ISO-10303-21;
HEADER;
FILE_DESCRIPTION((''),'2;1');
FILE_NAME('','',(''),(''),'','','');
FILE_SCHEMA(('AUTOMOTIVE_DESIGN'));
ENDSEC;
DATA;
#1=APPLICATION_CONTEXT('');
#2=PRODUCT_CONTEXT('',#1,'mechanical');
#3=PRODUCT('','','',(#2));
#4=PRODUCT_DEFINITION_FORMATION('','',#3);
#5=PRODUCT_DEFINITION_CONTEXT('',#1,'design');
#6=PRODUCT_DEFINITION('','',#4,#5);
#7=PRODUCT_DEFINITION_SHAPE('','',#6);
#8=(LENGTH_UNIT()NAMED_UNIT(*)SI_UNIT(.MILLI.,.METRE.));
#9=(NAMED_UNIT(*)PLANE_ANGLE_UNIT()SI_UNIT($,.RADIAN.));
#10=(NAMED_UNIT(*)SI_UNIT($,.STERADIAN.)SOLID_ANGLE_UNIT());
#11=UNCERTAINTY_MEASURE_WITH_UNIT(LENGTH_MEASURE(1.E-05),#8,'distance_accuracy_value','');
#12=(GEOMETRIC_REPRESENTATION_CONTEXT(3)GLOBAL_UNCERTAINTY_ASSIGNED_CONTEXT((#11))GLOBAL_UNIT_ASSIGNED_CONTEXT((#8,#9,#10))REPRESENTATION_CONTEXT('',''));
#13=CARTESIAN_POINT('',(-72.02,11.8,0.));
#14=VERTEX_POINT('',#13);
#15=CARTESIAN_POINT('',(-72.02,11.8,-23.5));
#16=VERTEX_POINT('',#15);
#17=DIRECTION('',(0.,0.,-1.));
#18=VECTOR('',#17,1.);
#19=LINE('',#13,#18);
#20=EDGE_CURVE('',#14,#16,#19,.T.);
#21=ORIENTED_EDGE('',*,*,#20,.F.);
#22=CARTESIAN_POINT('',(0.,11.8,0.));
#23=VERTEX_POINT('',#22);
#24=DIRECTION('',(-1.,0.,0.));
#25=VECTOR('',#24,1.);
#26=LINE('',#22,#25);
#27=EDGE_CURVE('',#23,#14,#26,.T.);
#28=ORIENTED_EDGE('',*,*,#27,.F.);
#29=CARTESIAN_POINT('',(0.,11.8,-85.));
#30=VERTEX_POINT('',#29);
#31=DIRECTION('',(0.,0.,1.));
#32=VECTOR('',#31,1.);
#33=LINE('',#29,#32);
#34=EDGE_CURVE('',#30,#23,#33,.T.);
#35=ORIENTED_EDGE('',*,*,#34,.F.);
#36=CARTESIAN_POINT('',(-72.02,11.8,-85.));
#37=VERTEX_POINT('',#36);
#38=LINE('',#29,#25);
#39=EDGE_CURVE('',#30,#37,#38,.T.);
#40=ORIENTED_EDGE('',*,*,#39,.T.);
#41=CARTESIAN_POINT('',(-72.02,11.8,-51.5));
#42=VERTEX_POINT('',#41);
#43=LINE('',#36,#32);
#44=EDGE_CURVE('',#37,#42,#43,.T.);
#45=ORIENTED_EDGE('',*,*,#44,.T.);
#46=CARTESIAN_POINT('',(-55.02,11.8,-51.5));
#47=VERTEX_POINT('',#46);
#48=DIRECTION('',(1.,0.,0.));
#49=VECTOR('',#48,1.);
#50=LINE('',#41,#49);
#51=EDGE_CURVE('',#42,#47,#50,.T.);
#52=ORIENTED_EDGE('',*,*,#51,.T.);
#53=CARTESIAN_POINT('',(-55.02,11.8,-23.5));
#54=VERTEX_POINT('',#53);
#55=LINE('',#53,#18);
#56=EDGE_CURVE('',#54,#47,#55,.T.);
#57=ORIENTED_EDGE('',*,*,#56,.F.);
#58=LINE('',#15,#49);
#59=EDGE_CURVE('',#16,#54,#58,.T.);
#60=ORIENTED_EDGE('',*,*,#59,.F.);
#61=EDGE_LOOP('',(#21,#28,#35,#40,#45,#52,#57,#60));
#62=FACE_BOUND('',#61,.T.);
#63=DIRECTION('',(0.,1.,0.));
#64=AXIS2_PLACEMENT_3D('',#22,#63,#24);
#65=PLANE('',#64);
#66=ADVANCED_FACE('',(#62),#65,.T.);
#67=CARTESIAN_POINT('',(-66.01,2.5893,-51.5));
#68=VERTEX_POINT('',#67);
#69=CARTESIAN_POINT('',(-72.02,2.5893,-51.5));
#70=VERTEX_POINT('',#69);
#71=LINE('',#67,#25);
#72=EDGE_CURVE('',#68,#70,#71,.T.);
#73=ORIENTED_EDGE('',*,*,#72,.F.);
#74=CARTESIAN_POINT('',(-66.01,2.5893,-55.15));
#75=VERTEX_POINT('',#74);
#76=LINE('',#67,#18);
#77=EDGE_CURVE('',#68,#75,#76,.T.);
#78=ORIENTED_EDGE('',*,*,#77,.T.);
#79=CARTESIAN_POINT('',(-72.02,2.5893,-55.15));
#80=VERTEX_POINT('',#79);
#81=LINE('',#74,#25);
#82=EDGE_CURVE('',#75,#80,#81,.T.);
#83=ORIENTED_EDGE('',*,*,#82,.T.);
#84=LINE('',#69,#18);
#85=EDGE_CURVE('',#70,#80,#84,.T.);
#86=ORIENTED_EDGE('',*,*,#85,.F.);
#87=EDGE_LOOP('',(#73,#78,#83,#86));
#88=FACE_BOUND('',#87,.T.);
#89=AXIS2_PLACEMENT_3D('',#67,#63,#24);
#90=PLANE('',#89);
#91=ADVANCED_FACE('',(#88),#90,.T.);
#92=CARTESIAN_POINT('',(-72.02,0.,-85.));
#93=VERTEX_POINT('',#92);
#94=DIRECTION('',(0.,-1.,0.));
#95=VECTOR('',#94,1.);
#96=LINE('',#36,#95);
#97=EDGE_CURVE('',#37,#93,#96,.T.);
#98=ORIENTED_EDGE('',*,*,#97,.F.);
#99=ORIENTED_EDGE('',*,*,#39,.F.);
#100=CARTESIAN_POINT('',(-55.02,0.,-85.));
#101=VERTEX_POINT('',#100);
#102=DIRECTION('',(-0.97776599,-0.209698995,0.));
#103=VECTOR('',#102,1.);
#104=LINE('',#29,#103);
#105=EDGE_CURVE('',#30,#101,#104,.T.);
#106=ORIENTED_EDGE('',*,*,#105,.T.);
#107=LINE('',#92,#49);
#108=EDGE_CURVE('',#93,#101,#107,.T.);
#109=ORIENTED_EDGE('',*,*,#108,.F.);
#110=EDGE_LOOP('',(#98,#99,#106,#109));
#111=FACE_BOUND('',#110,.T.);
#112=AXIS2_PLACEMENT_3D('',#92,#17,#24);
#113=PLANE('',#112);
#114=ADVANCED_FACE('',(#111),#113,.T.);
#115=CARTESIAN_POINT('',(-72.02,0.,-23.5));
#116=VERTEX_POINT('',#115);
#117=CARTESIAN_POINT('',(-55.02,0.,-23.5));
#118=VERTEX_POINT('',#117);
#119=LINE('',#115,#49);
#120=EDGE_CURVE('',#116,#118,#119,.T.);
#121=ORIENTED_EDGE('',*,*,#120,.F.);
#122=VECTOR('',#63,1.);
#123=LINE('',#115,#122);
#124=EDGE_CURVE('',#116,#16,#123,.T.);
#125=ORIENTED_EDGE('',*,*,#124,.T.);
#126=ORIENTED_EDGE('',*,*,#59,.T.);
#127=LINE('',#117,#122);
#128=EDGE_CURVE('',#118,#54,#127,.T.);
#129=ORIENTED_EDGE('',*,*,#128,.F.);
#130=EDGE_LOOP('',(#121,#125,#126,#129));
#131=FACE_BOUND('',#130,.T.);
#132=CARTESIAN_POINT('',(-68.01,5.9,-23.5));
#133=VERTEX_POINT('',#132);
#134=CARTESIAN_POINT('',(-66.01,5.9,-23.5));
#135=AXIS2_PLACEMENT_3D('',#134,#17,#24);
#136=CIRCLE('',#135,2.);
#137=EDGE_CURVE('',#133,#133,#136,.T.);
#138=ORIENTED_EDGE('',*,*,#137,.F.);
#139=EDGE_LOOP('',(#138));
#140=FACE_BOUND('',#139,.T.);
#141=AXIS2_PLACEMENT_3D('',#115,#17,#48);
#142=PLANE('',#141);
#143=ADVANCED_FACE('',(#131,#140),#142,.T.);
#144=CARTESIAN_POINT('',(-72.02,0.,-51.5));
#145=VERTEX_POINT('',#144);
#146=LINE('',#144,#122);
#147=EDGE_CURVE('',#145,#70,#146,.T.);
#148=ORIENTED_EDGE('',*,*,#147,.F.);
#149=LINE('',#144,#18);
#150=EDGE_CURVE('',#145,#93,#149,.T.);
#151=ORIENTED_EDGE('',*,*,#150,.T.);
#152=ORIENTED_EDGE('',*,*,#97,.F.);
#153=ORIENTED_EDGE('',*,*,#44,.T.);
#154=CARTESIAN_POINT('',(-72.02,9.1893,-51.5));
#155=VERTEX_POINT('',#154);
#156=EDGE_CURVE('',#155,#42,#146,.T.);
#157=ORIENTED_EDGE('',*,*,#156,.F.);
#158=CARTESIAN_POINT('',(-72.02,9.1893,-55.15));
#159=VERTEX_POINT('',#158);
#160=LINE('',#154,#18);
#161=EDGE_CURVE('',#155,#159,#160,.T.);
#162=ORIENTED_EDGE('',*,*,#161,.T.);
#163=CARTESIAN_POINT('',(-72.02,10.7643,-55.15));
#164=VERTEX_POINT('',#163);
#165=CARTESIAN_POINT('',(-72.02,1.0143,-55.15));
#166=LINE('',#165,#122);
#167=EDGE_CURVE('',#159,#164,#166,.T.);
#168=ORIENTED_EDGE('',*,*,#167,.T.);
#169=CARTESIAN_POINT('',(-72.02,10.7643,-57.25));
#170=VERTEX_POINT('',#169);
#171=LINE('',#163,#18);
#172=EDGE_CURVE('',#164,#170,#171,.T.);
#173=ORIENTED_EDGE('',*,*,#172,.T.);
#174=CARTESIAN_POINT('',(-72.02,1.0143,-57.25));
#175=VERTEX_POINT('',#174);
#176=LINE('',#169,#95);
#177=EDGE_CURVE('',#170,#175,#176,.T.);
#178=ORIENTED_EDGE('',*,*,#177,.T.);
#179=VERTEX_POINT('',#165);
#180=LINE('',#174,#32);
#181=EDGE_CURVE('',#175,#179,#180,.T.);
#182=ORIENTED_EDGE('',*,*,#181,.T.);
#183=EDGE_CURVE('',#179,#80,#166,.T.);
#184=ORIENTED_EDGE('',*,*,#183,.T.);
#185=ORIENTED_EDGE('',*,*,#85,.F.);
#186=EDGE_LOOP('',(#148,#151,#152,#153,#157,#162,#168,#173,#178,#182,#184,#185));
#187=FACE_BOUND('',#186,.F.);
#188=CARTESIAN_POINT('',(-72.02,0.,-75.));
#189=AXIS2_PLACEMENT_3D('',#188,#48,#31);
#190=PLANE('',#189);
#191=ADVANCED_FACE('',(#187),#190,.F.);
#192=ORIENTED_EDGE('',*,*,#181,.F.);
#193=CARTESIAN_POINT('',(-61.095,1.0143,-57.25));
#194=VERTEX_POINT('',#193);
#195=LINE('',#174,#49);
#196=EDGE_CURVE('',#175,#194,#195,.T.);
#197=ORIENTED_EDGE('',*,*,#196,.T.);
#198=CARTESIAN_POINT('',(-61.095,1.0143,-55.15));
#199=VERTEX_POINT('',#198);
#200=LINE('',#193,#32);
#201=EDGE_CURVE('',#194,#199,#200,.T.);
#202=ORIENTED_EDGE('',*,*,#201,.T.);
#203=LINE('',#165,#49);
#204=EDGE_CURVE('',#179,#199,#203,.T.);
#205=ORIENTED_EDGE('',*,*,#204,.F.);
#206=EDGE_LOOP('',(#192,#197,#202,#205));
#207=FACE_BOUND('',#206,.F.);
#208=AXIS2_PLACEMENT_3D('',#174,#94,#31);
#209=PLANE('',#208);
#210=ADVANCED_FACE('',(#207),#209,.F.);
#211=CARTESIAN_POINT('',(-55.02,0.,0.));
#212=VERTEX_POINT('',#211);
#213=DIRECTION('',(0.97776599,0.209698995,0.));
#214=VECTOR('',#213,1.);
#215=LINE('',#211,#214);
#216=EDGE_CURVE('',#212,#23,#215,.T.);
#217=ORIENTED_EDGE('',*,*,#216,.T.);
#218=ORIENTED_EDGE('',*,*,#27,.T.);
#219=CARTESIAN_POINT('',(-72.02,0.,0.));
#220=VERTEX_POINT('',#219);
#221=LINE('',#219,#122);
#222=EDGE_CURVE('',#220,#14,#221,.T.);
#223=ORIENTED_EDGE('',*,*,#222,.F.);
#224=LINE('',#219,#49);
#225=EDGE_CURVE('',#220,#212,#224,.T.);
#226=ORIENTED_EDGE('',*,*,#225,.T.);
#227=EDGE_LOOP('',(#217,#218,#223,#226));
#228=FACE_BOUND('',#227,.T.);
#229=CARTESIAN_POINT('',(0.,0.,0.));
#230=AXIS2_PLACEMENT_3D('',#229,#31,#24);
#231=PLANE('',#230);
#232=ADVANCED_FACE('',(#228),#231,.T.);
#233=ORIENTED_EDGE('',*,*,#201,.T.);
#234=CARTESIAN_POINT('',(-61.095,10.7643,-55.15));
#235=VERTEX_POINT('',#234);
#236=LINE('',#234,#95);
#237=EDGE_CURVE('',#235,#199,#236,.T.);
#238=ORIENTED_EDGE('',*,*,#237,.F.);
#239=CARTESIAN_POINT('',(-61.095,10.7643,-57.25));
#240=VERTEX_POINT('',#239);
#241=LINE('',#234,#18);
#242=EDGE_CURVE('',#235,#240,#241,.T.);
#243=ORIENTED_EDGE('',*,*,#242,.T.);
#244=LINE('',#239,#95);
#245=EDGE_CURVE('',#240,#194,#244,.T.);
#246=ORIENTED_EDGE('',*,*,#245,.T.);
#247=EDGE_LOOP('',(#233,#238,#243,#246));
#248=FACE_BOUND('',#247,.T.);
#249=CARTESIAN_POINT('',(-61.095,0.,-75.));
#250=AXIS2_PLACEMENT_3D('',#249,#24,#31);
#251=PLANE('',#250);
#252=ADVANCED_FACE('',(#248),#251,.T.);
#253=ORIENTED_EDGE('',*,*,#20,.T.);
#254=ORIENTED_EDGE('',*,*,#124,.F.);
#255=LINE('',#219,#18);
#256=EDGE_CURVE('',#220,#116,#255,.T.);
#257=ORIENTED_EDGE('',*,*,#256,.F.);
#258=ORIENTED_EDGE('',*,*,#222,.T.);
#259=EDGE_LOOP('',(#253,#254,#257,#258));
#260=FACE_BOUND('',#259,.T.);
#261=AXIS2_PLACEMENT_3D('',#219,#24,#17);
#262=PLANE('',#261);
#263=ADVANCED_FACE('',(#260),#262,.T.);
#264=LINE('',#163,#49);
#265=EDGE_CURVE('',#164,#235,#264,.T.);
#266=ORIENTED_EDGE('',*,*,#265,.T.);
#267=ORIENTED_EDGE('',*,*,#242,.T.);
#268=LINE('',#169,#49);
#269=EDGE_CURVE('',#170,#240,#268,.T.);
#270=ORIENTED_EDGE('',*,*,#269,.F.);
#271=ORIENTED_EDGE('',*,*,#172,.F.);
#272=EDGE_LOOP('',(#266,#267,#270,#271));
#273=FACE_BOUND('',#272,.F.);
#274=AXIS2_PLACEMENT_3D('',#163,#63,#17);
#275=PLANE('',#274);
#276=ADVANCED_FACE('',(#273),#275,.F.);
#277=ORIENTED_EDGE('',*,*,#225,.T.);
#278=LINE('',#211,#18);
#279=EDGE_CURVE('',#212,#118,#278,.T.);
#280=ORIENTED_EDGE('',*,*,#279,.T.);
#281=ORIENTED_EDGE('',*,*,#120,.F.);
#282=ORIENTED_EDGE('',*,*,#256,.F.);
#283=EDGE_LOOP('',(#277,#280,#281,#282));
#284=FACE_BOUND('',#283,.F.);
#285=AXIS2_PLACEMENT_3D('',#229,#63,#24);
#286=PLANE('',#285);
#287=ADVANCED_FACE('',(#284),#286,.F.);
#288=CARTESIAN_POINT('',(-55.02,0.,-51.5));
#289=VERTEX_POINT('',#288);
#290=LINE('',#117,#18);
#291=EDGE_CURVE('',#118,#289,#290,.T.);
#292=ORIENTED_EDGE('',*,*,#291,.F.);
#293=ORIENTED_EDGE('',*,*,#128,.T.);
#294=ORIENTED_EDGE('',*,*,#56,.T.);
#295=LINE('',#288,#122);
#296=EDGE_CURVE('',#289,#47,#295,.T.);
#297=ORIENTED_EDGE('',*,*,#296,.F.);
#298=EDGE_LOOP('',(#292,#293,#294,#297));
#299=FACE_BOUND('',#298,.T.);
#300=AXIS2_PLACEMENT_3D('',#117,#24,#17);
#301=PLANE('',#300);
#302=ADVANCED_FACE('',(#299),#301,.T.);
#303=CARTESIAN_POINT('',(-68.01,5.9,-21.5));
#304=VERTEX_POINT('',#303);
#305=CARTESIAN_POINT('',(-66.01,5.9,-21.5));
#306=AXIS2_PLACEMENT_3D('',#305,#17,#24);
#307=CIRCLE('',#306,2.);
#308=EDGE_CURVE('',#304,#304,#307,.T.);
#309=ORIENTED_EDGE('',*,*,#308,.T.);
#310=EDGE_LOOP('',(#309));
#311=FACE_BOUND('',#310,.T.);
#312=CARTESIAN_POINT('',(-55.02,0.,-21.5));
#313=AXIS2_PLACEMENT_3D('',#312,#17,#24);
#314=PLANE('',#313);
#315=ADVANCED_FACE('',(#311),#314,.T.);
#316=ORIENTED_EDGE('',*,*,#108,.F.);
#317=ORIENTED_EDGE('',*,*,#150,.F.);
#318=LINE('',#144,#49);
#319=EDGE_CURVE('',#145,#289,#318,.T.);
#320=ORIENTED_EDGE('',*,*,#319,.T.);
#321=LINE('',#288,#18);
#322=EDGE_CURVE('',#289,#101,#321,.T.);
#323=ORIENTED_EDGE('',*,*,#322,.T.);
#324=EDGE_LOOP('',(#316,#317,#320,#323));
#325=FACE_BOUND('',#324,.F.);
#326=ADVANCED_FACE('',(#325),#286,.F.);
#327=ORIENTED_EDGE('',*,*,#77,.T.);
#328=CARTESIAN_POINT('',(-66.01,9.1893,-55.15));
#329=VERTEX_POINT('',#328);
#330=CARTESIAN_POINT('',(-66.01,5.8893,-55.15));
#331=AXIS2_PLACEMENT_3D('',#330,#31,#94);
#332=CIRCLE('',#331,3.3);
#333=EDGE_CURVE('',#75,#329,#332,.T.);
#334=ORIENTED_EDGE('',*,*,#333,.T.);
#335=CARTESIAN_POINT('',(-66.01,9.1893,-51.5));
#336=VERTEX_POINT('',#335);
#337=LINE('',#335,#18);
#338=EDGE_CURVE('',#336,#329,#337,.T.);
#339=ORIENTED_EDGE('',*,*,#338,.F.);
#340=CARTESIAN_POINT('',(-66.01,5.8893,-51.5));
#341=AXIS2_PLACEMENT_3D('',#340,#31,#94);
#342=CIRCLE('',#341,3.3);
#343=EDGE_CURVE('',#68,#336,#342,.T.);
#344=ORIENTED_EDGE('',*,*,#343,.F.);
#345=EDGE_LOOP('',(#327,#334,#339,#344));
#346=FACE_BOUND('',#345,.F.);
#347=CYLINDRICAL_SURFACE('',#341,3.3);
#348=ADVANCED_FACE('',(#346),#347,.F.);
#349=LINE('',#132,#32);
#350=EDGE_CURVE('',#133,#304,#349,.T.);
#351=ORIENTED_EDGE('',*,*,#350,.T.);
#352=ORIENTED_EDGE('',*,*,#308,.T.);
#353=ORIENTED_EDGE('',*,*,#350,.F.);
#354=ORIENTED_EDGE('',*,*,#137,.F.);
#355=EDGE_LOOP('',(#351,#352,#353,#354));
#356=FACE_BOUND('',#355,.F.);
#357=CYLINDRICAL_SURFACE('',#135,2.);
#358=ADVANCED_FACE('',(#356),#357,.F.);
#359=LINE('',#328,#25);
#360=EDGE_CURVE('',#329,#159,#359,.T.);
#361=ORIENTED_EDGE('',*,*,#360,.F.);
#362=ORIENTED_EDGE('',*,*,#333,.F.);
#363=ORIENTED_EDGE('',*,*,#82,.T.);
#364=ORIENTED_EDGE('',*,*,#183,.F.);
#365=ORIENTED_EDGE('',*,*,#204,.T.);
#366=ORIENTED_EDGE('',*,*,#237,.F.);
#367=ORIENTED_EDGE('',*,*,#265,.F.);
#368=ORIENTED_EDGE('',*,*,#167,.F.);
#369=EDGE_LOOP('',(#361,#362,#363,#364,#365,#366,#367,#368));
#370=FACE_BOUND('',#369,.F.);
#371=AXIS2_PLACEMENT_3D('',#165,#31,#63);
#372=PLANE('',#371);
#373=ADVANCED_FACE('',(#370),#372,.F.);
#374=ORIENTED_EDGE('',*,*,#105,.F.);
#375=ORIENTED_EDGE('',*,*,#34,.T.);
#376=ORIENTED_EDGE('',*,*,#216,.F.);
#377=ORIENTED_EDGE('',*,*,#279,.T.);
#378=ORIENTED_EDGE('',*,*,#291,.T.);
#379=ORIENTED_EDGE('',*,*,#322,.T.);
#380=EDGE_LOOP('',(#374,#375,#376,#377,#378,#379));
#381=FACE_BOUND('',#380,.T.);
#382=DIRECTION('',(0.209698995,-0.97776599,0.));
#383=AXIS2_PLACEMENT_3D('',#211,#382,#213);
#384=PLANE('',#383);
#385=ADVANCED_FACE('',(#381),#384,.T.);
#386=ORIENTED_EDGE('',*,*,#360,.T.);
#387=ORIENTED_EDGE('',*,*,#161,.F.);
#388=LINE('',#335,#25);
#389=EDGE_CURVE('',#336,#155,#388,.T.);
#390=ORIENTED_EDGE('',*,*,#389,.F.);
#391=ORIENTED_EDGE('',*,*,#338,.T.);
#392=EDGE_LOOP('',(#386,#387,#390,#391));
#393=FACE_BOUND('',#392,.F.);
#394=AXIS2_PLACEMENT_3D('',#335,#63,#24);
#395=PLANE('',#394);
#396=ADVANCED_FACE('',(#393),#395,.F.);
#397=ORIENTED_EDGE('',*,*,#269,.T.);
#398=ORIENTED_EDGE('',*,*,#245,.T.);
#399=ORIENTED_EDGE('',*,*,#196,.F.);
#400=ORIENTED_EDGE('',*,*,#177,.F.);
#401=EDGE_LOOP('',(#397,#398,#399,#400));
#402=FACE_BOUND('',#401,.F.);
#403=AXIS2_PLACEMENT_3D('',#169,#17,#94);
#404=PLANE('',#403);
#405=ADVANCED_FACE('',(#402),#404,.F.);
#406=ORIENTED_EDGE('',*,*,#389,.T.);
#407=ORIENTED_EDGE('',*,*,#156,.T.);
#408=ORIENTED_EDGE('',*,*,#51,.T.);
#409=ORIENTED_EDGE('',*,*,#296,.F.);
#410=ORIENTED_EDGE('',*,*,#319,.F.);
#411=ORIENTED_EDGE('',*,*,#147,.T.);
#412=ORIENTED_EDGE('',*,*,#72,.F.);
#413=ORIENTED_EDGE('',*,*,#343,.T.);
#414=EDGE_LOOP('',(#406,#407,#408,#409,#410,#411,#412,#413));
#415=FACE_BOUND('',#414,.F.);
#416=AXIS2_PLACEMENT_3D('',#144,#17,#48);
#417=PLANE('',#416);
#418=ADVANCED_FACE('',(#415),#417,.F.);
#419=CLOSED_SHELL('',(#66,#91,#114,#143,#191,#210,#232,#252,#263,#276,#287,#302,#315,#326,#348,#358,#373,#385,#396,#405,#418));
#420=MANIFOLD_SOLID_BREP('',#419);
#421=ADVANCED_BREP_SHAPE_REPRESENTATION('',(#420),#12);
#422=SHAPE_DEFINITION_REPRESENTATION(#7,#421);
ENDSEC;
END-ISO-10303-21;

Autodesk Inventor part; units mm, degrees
ref_plane "YZ Plane" through (0, 0, 0) normal (1, 0, 0) x (0, 1, 0)
ref_plane "XZ Plane" through (0, 0, 0) normal (0, 1, 0) x (-1, 0, 0)
ref_plane "XY Plane" through (0, 0, 0) normal (0, 0, 1) x (1, 0, 0)
sketch "Sketch1" plane through (0, 0, 0) normal (0, 1, 0) x (-1, 0, 0)
  line L0 (0, 0) -> (60, 0)
  line L1 (55.02, -23.5) -> (55.02, -51.5)
  line L2 (60, -75) -> (0, -75)
  line L3 (0, -75) -> (0, 0)
  line L4 (55.02, -23.5) -> (72.02, -23.5) construction
  line L5 (72.02, -23.5) -> (72.02, -51.5) construction
  line L6 (72.02, -51.5) -> (55.02, -51.5) construction
  line L7 (55.02, -51.5) -> (55.02, -23.5)
  line L8 (72.02, -51.5) -> (55.02, -51.5)
  line L9 (60, -75) -> (72.02, -75)
  line L10 (72.02, -75) -> (72.02, -51.5)
  line L11 (72.02, -23.5) -> (55.02, -23.5)
  line L12 (60, 0) -> (72.02, 0)
  line L13 (72.02, 0) -> (72.02, -23.5)
  point P0 (55.02, -37.5)
  point P1 (63.52, -51.5)
  point P2 (63.52, -51.5)
  dimension "d2" = 28
  dimension "d25" = 8.5
  dimension "d26" = 60
  dimension "d27" = 12.02
  dimension "d28" = 72.02
  dimension "d36" = 17
  dimension "d37" = 23.5
extrude "Extrusion1" add sketch "Sketch1" along normal blind 11.8
sketch "Sketch2" plane through (-55.02, 0, -23.5) normal (0, 0, -1) x (-1, 0, 0)
  circle A0 centre (10.99, 5.9) radius 2
  line L0 (17, 0) -> (17, 11.8) projected
  point P0 (-55.02, 0)
  dimension "d6" = 4
  dimension "d7" = 6.01
extrude "Extrusion2" cut sketch "Sketch2" against normal blind 2
sketch "Sketch3" plane through (-72.02, 0, -51.5) normal (0, 0, 1) x (1, 0, 0)
  arc A0 (6.01, 2.5893) -> (6.01, 9.1893) centre (6.01, 5.8893) ccw
  line L0 (6.01, 9.1893) -> (0, 9.1893)
  line L1 (0, 0) -> (0, 11.8) projected
  line L2 (6.01, 2.5893) -> (0, 2.5893)
  point P0 (72.02, 0)
  dimension "d10" = 6.6
  dimension "d21" = 6.01
  dimension "d22" = 6.01
extrude "Extrusion3" cut sketch "Sketch3" against normal blind 3.65
sketch "Sketch4" plane through (-72.02, 0, -75) normal (-1, 0, 0) x (0, 0, 1)
  line L0 (19.85, 10.7643) -> (17.75, 10.7643)
  line L1 (17.75, 10.7643) -> (17.75, 1.0143)
  line L2 (17.75, 1.0143) -> (19.85, 1.0143)
  line L3 (19.85, 1.0143) -> (19.85, 10.7643)
  line L4 (19.85, 2.5893) -> (19.85, 9.1893) projected
  point P0 (75, 0)
  point P1 (19.85, 5.8893)
  dimension "d13" = 2.1
  dimension "d14" = 9.75
extrude "Extrusion4" cut sketch "Sketch4" against normal blind 10.925
sketch "Sketch5" plane through (-72.02, 0, 0) normal (0, 0, 1) x (1, 0, 0)
  line L0 (17, 0) -> (17, 11.8) projected
  line L1 (72.02, 11.8) -> (0, 11.8) projected
  line L2 (17, 0) -> (72.02, 11.8)
  line L3 (72.02, 11.8) -> (72.02, 0)
  line L4 (72.02, 0) -> (17, 0)
extrude "Extrusion5" cut sketch "Sketch5" against normal blind 88.5 contours L2 L3 L4
sketch "Sketch6" plane through (-72.02, 0, -75) normal (0, 0, -1) x (-1, 0, 0)
  line L0 (-72.02, 11.8) -> (-17, 0) projected
  line L1 (0, 11.8) -> (-72.02, 11.8) projected
  line L2 (-72.02, 11.8) -> (0, 11.8)
  line L3 (0, 11.8) -> (0, 0)
  line L4 (-17, 0) -> (-17, 11.8) projected
  line L5 (0, 0) -> (-17, 0)
  line L6 (-17, 0) -> (-72.02, 11.8)
  point P0 (-72.02, 0)
extrude "Extrusion6" add sketch "Sketch6" along normal blind 10
properties part number "hand_right_1"
